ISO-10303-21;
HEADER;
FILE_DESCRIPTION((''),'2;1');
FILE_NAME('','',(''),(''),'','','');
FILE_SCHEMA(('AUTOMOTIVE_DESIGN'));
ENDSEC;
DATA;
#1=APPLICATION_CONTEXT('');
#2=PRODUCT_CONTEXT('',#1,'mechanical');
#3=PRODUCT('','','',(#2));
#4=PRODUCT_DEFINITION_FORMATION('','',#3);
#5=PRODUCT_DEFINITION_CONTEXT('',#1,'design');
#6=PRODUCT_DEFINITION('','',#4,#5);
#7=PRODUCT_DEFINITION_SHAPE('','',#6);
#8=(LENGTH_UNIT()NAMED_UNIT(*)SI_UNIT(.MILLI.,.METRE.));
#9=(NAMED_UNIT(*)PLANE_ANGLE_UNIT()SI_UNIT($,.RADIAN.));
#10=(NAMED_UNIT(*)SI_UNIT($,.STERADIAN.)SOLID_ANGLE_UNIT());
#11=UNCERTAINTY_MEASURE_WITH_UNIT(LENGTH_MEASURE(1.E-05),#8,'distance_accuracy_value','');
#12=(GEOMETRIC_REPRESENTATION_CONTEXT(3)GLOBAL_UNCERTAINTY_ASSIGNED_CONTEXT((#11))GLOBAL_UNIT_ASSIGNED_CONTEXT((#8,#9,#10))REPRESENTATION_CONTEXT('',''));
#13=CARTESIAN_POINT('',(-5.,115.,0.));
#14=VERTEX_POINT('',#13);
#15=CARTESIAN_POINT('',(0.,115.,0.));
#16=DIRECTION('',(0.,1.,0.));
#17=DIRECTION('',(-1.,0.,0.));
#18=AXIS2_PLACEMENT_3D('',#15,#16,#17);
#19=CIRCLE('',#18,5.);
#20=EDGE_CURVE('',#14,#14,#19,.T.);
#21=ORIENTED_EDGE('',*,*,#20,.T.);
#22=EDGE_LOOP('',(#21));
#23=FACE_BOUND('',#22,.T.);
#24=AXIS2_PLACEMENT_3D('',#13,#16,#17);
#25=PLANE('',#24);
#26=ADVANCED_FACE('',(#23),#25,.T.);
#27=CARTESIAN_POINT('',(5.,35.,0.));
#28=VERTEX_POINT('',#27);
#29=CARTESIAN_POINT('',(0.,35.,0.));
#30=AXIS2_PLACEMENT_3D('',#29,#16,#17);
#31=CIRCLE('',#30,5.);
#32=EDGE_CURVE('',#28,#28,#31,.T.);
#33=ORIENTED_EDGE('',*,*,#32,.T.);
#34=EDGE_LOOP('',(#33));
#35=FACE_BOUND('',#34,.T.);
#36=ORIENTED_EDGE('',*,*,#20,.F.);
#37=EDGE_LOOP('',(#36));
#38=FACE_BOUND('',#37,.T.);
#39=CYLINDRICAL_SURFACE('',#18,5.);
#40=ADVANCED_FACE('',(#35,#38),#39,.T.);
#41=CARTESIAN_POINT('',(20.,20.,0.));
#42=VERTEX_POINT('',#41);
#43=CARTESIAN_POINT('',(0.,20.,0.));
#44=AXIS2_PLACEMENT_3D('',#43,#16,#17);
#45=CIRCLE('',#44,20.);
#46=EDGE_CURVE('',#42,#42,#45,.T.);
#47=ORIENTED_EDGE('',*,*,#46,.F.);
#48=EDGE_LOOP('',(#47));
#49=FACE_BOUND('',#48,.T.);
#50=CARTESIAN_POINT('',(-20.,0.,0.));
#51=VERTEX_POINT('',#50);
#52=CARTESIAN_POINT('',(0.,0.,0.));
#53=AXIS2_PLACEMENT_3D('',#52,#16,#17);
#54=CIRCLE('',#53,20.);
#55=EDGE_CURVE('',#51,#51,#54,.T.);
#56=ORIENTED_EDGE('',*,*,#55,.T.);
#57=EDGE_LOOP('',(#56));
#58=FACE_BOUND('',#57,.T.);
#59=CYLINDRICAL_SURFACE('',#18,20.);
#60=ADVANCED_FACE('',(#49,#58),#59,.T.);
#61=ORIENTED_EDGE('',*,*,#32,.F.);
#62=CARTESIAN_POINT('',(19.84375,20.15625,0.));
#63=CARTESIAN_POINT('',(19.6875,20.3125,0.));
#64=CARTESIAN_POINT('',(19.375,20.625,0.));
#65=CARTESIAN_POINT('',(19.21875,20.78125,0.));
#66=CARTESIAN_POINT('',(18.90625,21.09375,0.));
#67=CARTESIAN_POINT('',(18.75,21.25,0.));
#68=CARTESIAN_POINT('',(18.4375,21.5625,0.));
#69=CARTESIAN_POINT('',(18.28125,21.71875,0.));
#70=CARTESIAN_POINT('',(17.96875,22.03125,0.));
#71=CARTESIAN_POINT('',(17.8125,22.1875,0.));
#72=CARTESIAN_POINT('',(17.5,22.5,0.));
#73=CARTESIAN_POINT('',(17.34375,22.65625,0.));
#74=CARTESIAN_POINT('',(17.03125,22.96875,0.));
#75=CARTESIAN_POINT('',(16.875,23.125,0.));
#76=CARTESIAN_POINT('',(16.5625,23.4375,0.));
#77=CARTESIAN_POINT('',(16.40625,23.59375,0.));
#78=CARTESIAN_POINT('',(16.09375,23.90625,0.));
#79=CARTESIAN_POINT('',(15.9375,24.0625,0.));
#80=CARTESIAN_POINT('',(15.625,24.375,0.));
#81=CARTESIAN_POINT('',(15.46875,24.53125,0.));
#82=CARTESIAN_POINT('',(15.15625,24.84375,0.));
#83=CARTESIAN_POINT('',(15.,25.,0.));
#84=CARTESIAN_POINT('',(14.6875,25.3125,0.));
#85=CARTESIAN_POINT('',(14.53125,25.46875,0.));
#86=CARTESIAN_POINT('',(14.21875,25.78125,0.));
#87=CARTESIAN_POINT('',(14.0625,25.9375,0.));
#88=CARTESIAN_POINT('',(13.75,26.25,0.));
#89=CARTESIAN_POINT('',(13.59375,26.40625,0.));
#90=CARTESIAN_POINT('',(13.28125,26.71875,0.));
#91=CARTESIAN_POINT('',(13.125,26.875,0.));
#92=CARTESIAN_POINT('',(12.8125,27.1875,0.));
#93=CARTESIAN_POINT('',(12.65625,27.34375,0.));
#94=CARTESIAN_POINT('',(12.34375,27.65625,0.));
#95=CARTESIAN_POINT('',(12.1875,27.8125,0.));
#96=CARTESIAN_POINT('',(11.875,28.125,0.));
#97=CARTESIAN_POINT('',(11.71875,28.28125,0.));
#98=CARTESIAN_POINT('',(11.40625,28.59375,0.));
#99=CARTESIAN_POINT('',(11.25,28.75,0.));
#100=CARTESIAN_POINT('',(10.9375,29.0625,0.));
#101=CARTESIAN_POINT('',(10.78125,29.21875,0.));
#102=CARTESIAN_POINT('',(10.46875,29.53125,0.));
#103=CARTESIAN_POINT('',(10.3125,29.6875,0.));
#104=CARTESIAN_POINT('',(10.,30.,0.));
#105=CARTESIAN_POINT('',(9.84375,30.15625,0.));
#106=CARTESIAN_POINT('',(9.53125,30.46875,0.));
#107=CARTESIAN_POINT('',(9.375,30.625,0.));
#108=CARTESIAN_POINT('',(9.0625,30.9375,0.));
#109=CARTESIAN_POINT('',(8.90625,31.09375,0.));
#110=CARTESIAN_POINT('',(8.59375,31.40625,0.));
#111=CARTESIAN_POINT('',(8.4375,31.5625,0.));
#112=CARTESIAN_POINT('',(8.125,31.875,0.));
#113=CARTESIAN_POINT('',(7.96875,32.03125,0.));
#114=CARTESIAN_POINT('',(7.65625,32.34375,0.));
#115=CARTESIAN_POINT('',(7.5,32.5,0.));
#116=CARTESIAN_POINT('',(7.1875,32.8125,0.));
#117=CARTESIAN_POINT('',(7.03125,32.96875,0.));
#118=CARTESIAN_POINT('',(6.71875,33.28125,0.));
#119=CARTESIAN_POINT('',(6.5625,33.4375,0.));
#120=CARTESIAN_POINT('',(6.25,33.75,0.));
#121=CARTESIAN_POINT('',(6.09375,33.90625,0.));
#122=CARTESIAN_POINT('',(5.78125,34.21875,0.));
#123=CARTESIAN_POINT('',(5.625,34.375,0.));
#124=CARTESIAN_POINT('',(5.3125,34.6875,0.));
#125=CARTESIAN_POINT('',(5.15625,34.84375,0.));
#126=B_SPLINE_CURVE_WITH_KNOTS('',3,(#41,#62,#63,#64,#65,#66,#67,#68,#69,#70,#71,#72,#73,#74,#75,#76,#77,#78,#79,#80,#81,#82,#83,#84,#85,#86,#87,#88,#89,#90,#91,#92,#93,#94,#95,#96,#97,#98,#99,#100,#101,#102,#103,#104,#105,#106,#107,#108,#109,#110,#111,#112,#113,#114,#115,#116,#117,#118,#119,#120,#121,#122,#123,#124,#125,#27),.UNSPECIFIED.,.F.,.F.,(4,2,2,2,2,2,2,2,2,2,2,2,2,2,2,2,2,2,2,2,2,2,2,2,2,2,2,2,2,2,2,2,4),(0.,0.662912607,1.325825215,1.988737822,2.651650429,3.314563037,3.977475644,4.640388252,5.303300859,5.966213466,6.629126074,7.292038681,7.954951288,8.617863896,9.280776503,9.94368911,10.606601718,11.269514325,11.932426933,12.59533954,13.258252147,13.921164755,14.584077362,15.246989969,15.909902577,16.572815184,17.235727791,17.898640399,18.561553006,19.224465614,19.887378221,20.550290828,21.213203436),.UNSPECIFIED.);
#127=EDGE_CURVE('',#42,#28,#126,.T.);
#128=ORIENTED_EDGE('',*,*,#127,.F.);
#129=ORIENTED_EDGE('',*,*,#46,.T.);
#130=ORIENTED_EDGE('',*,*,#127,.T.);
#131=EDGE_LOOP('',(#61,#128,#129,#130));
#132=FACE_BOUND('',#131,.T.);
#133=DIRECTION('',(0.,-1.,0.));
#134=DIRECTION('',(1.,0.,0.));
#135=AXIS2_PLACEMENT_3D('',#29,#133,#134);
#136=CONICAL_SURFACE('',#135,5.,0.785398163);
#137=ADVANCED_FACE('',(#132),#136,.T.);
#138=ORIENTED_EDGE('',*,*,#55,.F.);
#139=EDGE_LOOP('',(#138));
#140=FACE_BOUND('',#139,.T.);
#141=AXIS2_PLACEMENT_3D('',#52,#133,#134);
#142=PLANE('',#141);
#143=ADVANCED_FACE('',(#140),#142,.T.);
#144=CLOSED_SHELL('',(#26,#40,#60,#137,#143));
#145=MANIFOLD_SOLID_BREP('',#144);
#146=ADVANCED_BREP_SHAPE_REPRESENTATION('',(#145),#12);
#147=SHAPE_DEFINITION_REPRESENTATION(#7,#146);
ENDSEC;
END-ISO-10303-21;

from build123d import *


with BuildPart() as part:
    # 草图1 → 旋转1 (revolve)
    with BuildSketch(Plane.XY):
        Polygon((0, 0), (-20, 0), (-20, 20), (-5, 35), (-5, 115), (0, 115), align=None)
    revolve(axis=Axis((0, 115, 0), (0, -1, 0)))


solid = part.part
